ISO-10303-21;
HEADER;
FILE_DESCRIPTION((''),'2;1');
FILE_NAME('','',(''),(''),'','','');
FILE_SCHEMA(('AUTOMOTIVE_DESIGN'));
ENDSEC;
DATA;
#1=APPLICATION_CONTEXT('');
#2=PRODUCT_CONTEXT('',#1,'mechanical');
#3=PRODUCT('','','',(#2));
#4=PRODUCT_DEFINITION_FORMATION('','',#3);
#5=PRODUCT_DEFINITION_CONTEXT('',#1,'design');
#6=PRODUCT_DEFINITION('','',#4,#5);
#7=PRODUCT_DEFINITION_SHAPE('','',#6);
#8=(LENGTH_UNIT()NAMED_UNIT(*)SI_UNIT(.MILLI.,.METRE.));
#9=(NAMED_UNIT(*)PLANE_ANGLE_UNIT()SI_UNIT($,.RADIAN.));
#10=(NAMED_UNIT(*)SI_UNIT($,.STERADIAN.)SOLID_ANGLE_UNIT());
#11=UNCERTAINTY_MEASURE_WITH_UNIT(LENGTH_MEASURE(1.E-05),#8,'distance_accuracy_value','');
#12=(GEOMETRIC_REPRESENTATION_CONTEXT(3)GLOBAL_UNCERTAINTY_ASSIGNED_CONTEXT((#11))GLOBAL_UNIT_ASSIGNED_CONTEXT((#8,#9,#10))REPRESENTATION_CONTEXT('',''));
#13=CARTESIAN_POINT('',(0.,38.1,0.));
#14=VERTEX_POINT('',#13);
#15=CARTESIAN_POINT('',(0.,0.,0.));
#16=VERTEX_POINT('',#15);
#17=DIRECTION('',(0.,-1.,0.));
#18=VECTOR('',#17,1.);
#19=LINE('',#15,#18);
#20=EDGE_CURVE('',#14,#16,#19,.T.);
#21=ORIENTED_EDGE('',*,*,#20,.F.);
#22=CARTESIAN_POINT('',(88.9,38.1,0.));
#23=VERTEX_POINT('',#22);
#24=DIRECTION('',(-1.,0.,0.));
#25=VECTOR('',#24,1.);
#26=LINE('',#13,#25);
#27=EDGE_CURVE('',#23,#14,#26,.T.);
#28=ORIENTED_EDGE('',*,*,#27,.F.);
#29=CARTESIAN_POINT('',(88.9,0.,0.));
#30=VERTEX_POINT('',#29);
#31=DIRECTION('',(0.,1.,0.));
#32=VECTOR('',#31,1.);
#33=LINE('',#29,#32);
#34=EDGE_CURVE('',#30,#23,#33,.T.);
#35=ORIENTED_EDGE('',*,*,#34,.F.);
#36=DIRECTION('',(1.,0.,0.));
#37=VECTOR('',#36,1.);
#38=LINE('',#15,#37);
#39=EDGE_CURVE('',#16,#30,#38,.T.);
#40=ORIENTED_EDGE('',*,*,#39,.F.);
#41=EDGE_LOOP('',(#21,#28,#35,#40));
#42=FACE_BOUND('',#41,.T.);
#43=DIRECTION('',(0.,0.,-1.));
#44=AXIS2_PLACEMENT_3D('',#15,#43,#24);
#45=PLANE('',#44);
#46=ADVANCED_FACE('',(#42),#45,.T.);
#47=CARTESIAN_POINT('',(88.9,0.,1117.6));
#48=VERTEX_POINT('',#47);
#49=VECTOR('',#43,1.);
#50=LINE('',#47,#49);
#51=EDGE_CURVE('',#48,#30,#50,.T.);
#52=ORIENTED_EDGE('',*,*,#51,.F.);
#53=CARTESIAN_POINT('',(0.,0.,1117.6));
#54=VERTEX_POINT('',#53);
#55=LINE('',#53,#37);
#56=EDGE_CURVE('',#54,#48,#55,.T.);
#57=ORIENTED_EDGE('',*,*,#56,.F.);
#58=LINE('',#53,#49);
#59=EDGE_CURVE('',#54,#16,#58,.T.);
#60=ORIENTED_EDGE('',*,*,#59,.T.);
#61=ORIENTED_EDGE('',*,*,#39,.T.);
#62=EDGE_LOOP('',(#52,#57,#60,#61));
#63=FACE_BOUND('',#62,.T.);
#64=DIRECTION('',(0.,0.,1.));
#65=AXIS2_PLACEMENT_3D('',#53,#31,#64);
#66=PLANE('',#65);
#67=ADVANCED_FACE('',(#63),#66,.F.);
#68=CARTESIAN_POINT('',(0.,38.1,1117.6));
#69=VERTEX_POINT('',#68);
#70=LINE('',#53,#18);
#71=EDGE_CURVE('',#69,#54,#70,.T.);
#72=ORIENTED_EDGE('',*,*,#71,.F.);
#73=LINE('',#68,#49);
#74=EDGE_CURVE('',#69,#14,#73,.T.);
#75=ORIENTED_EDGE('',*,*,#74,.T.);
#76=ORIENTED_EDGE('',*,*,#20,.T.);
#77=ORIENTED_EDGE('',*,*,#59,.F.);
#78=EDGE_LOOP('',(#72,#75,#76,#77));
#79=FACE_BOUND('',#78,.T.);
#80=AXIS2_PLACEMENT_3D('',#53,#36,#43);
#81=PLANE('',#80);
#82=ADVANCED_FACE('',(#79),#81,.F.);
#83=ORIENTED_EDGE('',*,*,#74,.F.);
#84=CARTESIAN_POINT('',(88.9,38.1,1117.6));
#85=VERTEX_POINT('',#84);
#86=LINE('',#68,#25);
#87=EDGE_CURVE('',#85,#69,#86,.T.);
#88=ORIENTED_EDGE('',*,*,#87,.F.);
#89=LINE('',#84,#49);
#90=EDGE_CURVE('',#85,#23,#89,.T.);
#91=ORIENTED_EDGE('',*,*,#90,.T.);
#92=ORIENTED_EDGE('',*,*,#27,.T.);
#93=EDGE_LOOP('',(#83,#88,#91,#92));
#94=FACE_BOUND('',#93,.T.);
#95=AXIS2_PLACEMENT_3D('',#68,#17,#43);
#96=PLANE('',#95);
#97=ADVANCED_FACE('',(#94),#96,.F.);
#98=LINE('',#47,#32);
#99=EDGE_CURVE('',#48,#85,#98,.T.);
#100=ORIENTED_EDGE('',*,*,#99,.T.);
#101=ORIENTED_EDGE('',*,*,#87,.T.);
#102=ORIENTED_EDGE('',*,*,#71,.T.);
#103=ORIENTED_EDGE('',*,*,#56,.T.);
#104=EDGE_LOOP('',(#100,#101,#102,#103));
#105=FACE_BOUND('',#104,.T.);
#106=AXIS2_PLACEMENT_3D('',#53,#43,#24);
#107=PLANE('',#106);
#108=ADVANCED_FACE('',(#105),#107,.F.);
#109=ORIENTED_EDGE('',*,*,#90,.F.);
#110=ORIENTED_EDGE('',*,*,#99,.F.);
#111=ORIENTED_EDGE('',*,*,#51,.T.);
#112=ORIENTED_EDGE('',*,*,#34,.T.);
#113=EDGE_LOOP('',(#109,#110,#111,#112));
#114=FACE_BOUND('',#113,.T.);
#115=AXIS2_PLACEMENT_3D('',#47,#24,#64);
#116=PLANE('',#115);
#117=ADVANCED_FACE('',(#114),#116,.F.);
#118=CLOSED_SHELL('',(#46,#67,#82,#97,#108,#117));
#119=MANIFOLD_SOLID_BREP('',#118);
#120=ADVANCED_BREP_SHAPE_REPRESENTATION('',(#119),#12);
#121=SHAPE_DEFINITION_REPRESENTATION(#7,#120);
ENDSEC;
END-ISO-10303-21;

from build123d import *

# Parameters (mm, degrees)
SKETCH1_W           = 88.9
SKETCH1_H           = 38.1
BOSS_EXTRUDE1_DEPTH = 1117.6


with BuildPart() as part:
    # Sketch1 → Boss-Extrude1 (new body)
    with BuildSketch(Plane.XY):
        with Locations((44.45, 19.05)):
            Rectangle(SKETCH1_W, SKETCH1_H)
    extrude(amount=BOSS_EXTRUDE1_DEPTH)


solid = part.part
